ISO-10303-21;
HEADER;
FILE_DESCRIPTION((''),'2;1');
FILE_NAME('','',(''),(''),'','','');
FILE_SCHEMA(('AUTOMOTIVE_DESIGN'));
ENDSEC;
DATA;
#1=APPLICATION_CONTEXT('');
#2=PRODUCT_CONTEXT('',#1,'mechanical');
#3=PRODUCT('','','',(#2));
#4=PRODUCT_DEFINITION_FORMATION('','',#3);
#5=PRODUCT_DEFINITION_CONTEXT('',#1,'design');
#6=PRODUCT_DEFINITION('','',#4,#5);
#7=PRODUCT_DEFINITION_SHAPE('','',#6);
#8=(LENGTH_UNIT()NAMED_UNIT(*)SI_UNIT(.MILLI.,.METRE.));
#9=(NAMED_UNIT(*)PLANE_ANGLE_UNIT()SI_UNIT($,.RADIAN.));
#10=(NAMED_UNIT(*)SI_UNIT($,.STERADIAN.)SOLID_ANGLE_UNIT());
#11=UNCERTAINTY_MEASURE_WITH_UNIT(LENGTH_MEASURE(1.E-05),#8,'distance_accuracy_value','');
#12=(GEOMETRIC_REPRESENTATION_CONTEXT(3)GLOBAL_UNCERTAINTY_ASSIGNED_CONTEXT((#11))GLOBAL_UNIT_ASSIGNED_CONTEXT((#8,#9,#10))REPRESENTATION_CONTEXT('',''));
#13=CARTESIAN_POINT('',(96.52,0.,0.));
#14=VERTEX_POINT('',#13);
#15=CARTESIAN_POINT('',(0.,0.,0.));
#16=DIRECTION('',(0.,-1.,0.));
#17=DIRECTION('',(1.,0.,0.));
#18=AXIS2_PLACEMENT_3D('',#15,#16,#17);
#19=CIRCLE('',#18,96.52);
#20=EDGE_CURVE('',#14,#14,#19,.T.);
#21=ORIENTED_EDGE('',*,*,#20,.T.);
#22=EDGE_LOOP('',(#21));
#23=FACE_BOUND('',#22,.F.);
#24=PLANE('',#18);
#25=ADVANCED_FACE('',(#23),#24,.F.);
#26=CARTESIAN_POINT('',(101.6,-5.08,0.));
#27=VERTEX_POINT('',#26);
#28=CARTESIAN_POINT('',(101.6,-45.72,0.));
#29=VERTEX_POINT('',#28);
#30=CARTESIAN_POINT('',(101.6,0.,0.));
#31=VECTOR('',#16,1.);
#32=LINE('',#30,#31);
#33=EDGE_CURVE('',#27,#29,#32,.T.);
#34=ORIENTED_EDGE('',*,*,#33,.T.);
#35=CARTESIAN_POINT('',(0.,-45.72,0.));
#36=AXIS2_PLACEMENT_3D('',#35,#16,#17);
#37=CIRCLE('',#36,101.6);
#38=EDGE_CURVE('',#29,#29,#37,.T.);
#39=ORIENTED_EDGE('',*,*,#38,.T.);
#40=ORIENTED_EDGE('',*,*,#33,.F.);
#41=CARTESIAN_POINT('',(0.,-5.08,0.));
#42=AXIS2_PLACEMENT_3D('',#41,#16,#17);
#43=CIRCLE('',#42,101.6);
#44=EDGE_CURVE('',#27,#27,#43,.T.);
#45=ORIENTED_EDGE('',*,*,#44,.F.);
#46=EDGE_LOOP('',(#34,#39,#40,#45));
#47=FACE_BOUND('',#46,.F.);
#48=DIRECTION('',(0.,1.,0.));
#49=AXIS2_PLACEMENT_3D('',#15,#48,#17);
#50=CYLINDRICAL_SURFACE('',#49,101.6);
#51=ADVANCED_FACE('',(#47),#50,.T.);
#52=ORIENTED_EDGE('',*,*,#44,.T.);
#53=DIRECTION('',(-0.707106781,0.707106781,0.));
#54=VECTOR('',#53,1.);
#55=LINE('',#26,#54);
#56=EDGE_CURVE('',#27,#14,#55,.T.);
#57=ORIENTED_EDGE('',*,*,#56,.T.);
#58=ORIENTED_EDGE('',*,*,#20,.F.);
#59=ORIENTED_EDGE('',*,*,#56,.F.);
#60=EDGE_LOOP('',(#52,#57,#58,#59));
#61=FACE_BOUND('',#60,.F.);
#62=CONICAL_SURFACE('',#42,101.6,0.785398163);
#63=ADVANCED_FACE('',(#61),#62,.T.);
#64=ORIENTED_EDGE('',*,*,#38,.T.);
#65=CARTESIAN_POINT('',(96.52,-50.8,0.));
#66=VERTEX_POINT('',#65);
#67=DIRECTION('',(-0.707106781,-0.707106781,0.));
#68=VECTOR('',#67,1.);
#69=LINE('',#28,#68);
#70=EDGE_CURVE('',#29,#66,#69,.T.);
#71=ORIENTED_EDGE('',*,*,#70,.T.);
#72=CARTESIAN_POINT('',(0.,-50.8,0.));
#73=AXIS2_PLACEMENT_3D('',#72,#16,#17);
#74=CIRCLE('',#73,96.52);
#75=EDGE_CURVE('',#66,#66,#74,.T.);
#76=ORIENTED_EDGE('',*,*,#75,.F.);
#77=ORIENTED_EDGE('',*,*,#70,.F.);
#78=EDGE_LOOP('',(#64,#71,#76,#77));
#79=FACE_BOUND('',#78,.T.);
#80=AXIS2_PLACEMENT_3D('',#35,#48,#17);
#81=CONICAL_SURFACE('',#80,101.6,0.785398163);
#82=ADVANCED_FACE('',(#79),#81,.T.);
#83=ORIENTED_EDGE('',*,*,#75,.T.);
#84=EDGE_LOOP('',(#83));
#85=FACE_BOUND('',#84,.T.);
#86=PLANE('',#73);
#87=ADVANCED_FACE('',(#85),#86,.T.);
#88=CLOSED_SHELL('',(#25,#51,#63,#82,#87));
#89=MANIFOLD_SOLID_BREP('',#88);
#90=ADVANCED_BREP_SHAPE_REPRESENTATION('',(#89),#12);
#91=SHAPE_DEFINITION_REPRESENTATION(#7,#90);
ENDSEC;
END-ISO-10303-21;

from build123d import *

# Parameters (mm, degrees)
F0_R     = 101.6
F1_DEPTH = 50.8
F2_SIZE  = 5.08


with BuildPart() as f1:
    # F0 (on Front) → F1 (new body)
    with BuildSketch(Plane.XZ):
        Circle(F0_R)
    extrude(amount=F1_DEPTH)

    # F2
    f2_edges = [f1.edges().sort_by_distance(p)[0] for p in [
        (-101.6, 0, 0),
        (101.6, -25.4, 0),
        (-101.6, -50.8, 0),
    ]]
    chamfer(f2_edges, length=F2_SIZE)


solid = f1.part
